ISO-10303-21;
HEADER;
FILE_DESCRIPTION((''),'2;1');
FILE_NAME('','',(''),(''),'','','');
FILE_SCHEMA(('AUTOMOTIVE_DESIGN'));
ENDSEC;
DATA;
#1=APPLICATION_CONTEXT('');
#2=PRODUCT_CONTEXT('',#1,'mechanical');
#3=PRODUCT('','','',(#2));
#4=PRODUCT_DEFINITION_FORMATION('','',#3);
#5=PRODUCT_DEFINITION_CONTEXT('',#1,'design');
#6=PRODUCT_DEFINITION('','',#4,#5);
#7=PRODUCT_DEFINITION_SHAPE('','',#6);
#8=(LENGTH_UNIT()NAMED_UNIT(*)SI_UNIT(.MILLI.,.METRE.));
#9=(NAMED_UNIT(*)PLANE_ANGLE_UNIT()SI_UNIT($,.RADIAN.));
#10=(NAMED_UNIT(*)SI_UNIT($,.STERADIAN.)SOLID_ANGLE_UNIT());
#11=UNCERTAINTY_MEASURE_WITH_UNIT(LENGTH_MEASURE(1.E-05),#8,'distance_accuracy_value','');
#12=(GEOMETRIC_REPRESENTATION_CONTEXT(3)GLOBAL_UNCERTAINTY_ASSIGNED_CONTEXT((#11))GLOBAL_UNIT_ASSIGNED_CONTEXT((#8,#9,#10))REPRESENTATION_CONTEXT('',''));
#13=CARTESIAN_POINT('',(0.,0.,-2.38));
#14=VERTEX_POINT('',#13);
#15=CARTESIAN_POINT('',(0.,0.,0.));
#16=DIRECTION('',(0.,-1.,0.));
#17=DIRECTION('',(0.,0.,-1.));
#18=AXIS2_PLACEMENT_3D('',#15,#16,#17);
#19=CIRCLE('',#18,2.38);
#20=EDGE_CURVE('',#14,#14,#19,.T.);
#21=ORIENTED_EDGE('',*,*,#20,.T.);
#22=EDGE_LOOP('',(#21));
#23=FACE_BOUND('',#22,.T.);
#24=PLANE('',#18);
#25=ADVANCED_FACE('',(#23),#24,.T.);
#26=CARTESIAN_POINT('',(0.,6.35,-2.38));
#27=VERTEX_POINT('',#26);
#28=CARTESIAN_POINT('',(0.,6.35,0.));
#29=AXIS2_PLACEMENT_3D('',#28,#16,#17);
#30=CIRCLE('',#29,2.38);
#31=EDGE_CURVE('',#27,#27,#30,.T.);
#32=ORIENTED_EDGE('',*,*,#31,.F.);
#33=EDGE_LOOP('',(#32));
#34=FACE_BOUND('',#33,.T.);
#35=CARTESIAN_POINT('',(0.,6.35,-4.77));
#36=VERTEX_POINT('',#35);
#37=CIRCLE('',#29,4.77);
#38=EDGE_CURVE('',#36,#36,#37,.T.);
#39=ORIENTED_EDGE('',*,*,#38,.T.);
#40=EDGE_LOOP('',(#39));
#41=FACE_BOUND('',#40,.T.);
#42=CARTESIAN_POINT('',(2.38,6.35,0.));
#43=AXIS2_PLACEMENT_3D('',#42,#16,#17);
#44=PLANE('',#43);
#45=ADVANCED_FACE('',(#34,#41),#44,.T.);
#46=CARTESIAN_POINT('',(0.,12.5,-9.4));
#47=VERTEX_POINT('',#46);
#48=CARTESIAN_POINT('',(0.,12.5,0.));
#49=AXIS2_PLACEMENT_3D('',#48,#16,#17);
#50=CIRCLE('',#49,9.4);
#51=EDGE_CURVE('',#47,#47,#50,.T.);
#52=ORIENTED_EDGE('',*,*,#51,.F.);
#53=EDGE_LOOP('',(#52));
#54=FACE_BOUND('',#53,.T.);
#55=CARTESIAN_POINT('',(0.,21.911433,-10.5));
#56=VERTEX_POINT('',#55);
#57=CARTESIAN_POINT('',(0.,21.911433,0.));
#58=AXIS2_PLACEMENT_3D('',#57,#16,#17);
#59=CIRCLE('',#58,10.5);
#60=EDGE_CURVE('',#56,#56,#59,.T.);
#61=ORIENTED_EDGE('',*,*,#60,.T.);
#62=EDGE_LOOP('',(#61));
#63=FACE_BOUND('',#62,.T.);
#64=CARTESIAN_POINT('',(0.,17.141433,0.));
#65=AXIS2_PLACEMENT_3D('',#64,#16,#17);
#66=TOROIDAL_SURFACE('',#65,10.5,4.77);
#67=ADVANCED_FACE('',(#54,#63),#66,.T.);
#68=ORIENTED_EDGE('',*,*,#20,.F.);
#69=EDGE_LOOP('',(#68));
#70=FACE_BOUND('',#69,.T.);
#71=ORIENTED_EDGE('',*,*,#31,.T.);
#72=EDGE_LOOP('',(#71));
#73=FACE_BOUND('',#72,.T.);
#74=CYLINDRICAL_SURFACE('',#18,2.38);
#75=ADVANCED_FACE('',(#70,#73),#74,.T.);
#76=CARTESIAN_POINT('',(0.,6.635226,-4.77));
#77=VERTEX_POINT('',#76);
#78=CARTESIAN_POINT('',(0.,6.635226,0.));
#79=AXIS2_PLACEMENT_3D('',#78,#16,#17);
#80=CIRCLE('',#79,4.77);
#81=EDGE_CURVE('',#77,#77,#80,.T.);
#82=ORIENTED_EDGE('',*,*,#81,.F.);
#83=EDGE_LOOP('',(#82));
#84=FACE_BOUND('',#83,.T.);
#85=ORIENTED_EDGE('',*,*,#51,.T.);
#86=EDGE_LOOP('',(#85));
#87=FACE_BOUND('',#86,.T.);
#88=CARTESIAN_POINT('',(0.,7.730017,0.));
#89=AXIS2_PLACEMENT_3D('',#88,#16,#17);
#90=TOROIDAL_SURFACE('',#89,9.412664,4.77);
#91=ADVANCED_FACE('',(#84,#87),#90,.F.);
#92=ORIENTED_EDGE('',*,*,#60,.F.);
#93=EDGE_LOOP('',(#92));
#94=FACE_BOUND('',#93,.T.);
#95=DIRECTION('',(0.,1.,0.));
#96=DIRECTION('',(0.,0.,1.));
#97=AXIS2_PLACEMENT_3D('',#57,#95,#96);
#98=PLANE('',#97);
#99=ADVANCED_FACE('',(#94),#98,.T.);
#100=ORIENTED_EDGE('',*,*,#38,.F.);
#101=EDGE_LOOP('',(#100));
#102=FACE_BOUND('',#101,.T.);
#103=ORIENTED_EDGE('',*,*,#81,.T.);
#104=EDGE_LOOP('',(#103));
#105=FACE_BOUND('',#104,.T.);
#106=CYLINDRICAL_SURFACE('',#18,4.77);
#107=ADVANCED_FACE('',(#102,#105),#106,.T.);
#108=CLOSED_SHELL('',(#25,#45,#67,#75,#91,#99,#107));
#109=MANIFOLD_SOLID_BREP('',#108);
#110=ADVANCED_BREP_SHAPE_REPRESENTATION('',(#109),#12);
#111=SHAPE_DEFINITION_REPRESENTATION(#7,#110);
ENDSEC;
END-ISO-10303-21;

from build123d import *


with BuildPart() as part:
    # Sketch1 → Revolve1 (revolve)
    with BuildSketch(Plane.XY):
        with BuildLine():
            Line((0, 0), (2.38, 0))
            Line((2.38, 0), (2.38, 6.35))
            Line((2.38, 6.35), (4.77, 6.35))
            Line((4.77, 6.35), (4.77, 6.635226112))
            ThreePointArc((4.77, 6.635226112), (5.668747391, 10.685686779), (9.4, 12.5))
            ThreePointArc((9.4, 12.5), (15.237749216, 16.587689011), (10.5, 21.911432968))
            Line((10.5, 21.911432968), (0, 21.911432968))
            Line((0, 21.911432968), (0, 0))
        make_face()
    revolve(axis=Axis((0, 0, 0), (0, 1, 0)))


solid = part.part
